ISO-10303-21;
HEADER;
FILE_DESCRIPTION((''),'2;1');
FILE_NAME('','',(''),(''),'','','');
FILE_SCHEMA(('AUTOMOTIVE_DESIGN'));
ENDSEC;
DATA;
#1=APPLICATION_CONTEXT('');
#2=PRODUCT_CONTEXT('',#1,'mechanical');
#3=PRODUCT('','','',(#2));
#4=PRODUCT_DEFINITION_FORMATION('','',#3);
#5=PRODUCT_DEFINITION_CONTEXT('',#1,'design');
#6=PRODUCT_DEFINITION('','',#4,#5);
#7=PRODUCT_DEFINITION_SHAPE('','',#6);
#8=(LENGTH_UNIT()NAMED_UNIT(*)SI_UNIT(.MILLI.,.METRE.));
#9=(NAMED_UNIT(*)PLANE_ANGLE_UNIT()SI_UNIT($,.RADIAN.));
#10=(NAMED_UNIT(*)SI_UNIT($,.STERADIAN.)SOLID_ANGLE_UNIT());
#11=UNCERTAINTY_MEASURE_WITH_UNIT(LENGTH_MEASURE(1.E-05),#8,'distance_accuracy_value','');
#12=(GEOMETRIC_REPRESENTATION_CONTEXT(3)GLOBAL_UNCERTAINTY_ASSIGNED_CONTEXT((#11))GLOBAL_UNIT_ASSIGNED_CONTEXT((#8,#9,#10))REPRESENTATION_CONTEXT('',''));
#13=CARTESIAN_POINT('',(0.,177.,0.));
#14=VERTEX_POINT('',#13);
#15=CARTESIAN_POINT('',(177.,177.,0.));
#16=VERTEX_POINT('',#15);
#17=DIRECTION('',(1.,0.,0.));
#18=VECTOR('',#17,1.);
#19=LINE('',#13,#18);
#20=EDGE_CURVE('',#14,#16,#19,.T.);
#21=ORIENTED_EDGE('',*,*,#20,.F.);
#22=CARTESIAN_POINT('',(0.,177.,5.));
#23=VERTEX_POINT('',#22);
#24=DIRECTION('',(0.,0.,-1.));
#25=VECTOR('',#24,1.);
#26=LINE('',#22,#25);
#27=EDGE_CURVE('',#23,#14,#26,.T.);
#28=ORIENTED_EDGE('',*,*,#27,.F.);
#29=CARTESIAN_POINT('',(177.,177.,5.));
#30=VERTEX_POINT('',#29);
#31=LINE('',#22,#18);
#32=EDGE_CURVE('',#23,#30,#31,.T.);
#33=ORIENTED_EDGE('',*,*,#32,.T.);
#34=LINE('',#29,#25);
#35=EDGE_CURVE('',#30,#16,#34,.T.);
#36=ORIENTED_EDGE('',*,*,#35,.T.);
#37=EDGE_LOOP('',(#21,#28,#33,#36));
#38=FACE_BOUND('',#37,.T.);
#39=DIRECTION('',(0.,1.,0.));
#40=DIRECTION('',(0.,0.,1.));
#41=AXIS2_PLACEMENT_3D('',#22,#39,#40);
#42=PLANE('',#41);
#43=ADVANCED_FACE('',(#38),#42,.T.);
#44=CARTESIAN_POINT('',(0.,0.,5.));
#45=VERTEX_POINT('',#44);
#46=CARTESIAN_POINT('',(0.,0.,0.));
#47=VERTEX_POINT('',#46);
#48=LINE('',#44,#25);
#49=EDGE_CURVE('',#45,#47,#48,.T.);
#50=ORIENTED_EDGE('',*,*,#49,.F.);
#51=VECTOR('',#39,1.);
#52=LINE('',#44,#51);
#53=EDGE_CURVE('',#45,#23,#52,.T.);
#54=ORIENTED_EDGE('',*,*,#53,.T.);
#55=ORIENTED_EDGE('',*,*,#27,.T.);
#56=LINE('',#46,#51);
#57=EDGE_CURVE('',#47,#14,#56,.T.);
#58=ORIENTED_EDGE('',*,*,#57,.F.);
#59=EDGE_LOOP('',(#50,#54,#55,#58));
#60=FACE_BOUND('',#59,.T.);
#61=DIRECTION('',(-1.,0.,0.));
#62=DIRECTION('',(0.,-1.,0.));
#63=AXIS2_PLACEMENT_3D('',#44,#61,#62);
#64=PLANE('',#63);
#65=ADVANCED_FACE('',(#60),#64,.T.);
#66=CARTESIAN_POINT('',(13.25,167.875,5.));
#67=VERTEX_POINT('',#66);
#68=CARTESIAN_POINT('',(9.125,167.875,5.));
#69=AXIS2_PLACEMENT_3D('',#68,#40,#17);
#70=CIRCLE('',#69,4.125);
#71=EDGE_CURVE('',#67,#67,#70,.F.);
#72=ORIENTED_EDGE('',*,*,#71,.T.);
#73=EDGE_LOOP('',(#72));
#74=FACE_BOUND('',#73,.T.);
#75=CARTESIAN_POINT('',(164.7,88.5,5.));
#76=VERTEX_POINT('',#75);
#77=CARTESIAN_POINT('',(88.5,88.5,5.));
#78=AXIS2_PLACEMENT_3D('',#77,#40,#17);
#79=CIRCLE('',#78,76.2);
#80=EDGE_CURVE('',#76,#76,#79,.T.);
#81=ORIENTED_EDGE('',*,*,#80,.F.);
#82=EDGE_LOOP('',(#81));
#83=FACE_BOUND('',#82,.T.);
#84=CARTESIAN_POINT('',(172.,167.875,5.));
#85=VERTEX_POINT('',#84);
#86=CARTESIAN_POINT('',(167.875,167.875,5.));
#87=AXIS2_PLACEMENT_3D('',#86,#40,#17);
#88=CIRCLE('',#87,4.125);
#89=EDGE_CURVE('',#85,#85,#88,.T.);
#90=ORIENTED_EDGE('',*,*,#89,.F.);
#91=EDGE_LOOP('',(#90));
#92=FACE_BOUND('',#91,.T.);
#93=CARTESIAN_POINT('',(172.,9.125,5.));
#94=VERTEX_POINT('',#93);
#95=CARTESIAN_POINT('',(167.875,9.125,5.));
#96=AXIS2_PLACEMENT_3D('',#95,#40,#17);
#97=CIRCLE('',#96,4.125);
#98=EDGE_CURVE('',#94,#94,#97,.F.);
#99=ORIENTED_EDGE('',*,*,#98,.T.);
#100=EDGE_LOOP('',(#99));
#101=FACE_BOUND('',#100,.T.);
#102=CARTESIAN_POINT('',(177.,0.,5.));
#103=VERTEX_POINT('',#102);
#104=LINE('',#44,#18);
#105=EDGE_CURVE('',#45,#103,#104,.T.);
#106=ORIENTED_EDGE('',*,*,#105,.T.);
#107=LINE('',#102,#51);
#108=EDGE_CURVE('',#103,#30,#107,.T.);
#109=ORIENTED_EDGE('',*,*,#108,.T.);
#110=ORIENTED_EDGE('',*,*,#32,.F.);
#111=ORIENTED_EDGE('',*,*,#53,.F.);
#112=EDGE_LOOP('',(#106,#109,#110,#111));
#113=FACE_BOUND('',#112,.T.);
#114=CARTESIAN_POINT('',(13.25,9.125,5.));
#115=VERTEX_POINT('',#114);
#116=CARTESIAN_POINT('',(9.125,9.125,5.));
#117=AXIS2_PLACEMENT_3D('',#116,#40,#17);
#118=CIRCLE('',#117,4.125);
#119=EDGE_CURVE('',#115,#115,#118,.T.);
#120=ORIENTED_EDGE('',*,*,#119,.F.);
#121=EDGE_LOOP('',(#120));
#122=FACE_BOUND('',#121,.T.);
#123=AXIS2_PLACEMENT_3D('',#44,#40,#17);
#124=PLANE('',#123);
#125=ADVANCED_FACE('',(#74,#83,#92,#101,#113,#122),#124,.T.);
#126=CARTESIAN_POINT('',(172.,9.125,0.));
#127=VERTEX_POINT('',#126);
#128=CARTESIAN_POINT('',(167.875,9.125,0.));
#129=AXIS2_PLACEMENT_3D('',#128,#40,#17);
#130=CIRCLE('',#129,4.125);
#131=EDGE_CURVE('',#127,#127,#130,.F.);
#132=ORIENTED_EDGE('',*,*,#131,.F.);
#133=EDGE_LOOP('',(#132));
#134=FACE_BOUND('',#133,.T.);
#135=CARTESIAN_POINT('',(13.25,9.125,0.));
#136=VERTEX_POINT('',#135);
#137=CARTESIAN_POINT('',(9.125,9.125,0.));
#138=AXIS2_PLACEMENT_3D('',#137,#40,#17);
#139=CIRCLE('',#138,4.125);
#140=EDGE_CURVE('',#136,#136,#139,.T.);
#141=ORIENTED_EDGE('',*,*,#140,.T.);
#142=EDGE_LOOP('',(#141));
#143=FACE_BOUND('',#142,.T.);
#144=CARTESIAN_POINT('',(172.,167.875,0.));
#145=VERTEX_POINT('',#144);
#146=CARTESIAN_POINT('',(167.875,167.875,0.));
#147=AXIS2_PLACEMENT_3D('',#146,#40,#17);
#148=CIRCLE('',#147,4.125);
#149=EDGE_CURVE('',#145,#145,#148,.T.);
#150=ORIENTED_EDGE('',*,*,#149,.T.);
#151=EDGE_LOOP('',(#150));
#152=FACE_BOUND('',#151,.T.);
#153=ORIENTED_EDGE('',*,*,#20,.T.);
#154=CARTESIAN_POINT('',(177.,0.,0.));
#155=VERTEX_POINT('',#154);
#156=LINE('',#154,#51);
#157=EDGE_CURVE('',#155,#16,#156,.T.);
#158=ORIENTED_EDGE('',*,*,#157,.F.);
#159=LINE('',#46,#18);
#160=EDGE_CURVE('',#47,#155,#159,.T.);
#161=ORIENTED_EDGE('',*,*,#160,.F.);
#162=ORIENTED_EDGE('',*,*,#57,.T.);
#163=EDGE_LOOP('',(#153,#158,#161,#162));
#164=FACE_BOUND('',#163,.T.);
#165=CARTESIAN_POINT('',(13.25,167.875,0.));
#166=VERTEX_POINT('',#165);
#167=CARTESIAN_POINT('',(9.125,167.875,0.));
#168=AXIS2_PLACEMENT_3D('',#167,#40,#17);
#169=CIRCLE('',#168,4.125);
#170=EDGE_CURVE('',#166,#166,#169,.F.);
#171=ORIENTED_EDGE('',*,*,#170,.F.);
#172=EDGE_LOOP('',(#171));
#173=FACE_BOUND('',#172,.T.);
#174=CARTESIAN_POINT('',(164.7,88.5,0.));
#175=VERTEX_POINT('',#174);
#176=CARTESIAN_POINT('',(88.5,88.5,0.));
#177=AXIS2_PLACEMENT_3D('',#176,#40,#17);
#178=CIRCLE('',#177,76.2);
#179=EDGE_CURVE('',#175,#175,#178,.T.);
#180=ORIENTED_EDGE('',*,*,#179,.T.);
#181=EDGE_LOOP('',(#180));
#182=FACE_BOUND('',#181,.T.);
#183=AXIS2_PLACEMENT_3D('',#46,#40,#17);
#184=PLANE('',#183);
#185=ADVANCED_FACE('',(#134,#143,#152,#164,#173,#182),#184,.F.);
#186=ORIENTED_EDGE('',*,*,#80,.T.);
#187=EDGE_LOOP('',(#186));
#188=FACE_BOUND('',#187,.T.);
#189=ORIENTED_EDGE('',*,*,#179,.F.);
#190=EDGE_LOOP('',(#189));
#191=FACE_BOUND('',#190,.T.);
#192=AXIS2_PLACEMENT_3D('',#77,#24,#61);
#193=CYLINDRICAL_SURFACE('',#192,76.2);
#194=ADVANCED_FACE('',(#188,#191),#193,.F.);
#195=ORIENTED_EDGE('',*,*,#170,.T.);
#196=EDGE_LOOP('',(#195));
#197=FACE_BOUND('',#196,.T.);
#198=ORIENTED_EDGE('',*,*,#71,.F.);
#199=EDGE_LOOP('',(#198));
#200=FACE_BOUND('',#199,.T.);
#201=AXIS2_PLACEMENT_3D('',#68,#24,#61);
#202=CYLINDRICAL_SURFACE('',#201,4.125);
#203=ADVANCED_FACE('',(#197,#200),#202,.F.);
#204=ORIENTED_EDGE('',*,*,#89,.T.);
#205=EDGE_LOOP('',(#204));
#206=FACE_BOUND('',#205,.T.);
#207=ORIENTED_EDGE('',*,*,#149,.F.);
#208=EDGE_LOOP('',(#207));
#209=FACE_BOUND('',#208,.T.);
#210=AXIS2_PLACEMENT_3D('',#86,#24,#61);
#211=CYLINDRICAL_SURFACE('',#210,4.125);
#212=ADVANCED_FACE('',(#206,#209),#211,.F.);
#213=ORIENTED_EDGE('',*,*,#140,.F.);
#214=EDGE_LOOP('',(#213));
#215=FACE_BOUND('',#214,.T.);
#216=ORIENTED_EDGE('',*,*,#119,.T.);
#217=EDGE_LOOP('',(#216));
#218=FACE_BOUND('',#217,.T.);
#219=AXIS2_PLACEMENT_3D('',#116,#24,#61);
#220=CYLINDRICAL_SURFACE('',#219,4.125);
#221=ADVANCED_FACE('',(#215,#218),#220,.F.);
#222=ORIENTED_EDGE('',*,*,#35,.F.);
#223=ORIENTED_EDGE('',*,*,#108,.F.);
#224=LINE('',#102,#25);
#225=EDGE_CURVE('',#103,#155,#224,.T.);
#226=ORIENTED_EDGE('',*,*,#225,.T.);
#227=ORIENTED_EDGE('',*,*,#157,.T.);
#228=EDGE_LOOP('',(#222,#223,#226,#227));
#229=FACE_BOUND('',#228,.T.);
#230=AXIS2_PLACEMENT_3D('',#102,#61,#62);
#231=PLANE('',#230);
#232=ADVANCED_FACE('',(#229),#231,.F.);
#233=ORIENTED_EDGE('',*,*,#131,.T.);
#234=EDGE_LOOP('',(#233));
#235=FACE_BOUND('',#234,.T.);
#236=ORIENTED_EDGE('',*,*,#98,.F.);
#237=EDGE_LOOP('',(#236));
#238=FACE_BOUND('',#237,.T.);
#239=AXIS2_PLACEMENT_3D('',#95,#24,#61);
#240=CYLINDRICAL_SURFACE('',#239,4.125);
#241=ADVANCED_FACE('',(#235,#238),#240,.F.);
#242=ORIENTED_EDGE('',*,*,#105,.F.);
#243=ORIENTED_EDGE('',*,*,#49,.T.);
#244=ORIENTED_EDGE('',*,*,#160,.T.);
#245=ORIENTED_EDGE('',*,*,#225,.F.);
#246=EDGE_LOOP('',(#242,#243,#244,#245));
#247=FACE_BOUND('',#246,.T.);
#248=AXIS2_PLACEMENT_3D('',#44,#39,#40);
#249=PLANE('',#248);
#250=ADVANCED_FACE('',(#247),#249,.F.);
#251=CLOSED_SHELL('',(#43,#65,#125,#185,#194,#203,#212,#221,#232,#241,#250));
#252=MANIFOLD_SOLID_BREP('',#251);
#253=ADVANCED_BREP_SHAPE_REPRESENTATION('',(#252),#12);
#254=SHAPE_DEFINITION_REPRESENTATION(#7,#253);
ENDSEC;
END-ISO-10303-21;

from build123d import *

# Parameters (mm, degrees)
SKETCH1_W           = 177
SKETCH1_H           = 177
SKETCH1_R           = 76.2
SKETCH1_R_2         = 4.125
BOSS_EXTRUDE1_DEPTH = 5


with BuildPart() as part:
    # Sketch1 → Boss-Extrude1 (new body)
    # profile 1 of 5: a face of its own
    with BuildSketch(Plane.XY):
        with Locations((88.5, 88.5)):
            Rectangle(SKETCH1_W, SKETCH1_H)
        with Locations((88.5, 88.5)):
            Circle(SKETCH1_R, mode=Mode.SUBTRACT)
        Polygon((163.645909278, 1.8), (159.416818556, 9.125), (163.645909278, 16.45), (172.104090722, 16.45), (176.333181444, 9.125), (172.104090722, 1.8), align=None, mode=Mode.SUBTRACT)
        Polygon((13.354090722, 1.8), (17.583181444, 9.125), (13.354090722, 16.45), (4.895909278, 16.45), (0.666818556, 9.125), (4.895909278, 1.8), align=None, mode=Mode.SUBTRACT)
        Polygon((163.645909278, 160.55), (172.104090722, 160.55), (176.333181444, 167.875), (172.104090722, 175.2), (163.645909278, 175.2), (159.416818556, 167.875), align=None, mode=Mode.SUBTRACT)
        Polygon((17.583181444, 167.875), (13.354090722, 160.55), (4.895909278, 160.55), (0.666818556, 167.875), (4.895909278, 175.2), (13.354090722, 175.2), align=None, mode=Mode.SUBTRACT)
    # profile 2 of 5: a face of its own
    with BuildSketch(Plane.XY):
        Polygon((13.354090722, 160.55), (4.895909278, 160.55), (0.666818556, 167.875), (4.895909278, 175.2), (13.354090722, 175.2), (17.583181444, 167.875), align=None)
        with Locations((9.125, 167.875)):
            Circle(SKETCH1_R_2, mode=Mode.SUBTRACT)
    # profile 3 of 5: a face of its own
    with BuildSketch(Plane.XY):
        Polygon((4.895909278, 1.8), (13.354090722, 1.8), (17.583181444, 9.125), (13.354090722, 16.45), (4.895909278, 16.45), (0.666818556, 9.125), align=None)
        with Locations((9.125, 9.125)):
            Circle(SKETCH1_R_2, mode=Mode.SUBTRACT)
    # profile 4 of 5: a face of its own
    with BuildSketch(Plane.XY):
        Polygon((159.416818556, 9.125), (163.645909278, 16.45), (172.104090722, 16.45), (176.333181444, 9.125), (172.104090722, 1.8), (163.645909278, 1.8), align=None)
        with Locations((167.875, 9.125)):
            Circle(SKETCH1_R_2, mode=Mode.SUBTRACT)
    # profile 5 of 5: a face of its own
    with BuildSketch(Plane.XY):
        Polygon((159.416818556, 167.875), (163.645909278, 160.55), (172.104090722, 160.55), (176.333181444, 167.875), (172.104090722, 175.2), (163.645909278, 175.2), align=None)
        with Locations((167.875, 167.875)):
            Circle(SKETCH1_R_2, mode=Mode.SUBTRACT)
    extrude(amount=BOSS_EXTRUDE1_DEPTH)


solid = part.part
